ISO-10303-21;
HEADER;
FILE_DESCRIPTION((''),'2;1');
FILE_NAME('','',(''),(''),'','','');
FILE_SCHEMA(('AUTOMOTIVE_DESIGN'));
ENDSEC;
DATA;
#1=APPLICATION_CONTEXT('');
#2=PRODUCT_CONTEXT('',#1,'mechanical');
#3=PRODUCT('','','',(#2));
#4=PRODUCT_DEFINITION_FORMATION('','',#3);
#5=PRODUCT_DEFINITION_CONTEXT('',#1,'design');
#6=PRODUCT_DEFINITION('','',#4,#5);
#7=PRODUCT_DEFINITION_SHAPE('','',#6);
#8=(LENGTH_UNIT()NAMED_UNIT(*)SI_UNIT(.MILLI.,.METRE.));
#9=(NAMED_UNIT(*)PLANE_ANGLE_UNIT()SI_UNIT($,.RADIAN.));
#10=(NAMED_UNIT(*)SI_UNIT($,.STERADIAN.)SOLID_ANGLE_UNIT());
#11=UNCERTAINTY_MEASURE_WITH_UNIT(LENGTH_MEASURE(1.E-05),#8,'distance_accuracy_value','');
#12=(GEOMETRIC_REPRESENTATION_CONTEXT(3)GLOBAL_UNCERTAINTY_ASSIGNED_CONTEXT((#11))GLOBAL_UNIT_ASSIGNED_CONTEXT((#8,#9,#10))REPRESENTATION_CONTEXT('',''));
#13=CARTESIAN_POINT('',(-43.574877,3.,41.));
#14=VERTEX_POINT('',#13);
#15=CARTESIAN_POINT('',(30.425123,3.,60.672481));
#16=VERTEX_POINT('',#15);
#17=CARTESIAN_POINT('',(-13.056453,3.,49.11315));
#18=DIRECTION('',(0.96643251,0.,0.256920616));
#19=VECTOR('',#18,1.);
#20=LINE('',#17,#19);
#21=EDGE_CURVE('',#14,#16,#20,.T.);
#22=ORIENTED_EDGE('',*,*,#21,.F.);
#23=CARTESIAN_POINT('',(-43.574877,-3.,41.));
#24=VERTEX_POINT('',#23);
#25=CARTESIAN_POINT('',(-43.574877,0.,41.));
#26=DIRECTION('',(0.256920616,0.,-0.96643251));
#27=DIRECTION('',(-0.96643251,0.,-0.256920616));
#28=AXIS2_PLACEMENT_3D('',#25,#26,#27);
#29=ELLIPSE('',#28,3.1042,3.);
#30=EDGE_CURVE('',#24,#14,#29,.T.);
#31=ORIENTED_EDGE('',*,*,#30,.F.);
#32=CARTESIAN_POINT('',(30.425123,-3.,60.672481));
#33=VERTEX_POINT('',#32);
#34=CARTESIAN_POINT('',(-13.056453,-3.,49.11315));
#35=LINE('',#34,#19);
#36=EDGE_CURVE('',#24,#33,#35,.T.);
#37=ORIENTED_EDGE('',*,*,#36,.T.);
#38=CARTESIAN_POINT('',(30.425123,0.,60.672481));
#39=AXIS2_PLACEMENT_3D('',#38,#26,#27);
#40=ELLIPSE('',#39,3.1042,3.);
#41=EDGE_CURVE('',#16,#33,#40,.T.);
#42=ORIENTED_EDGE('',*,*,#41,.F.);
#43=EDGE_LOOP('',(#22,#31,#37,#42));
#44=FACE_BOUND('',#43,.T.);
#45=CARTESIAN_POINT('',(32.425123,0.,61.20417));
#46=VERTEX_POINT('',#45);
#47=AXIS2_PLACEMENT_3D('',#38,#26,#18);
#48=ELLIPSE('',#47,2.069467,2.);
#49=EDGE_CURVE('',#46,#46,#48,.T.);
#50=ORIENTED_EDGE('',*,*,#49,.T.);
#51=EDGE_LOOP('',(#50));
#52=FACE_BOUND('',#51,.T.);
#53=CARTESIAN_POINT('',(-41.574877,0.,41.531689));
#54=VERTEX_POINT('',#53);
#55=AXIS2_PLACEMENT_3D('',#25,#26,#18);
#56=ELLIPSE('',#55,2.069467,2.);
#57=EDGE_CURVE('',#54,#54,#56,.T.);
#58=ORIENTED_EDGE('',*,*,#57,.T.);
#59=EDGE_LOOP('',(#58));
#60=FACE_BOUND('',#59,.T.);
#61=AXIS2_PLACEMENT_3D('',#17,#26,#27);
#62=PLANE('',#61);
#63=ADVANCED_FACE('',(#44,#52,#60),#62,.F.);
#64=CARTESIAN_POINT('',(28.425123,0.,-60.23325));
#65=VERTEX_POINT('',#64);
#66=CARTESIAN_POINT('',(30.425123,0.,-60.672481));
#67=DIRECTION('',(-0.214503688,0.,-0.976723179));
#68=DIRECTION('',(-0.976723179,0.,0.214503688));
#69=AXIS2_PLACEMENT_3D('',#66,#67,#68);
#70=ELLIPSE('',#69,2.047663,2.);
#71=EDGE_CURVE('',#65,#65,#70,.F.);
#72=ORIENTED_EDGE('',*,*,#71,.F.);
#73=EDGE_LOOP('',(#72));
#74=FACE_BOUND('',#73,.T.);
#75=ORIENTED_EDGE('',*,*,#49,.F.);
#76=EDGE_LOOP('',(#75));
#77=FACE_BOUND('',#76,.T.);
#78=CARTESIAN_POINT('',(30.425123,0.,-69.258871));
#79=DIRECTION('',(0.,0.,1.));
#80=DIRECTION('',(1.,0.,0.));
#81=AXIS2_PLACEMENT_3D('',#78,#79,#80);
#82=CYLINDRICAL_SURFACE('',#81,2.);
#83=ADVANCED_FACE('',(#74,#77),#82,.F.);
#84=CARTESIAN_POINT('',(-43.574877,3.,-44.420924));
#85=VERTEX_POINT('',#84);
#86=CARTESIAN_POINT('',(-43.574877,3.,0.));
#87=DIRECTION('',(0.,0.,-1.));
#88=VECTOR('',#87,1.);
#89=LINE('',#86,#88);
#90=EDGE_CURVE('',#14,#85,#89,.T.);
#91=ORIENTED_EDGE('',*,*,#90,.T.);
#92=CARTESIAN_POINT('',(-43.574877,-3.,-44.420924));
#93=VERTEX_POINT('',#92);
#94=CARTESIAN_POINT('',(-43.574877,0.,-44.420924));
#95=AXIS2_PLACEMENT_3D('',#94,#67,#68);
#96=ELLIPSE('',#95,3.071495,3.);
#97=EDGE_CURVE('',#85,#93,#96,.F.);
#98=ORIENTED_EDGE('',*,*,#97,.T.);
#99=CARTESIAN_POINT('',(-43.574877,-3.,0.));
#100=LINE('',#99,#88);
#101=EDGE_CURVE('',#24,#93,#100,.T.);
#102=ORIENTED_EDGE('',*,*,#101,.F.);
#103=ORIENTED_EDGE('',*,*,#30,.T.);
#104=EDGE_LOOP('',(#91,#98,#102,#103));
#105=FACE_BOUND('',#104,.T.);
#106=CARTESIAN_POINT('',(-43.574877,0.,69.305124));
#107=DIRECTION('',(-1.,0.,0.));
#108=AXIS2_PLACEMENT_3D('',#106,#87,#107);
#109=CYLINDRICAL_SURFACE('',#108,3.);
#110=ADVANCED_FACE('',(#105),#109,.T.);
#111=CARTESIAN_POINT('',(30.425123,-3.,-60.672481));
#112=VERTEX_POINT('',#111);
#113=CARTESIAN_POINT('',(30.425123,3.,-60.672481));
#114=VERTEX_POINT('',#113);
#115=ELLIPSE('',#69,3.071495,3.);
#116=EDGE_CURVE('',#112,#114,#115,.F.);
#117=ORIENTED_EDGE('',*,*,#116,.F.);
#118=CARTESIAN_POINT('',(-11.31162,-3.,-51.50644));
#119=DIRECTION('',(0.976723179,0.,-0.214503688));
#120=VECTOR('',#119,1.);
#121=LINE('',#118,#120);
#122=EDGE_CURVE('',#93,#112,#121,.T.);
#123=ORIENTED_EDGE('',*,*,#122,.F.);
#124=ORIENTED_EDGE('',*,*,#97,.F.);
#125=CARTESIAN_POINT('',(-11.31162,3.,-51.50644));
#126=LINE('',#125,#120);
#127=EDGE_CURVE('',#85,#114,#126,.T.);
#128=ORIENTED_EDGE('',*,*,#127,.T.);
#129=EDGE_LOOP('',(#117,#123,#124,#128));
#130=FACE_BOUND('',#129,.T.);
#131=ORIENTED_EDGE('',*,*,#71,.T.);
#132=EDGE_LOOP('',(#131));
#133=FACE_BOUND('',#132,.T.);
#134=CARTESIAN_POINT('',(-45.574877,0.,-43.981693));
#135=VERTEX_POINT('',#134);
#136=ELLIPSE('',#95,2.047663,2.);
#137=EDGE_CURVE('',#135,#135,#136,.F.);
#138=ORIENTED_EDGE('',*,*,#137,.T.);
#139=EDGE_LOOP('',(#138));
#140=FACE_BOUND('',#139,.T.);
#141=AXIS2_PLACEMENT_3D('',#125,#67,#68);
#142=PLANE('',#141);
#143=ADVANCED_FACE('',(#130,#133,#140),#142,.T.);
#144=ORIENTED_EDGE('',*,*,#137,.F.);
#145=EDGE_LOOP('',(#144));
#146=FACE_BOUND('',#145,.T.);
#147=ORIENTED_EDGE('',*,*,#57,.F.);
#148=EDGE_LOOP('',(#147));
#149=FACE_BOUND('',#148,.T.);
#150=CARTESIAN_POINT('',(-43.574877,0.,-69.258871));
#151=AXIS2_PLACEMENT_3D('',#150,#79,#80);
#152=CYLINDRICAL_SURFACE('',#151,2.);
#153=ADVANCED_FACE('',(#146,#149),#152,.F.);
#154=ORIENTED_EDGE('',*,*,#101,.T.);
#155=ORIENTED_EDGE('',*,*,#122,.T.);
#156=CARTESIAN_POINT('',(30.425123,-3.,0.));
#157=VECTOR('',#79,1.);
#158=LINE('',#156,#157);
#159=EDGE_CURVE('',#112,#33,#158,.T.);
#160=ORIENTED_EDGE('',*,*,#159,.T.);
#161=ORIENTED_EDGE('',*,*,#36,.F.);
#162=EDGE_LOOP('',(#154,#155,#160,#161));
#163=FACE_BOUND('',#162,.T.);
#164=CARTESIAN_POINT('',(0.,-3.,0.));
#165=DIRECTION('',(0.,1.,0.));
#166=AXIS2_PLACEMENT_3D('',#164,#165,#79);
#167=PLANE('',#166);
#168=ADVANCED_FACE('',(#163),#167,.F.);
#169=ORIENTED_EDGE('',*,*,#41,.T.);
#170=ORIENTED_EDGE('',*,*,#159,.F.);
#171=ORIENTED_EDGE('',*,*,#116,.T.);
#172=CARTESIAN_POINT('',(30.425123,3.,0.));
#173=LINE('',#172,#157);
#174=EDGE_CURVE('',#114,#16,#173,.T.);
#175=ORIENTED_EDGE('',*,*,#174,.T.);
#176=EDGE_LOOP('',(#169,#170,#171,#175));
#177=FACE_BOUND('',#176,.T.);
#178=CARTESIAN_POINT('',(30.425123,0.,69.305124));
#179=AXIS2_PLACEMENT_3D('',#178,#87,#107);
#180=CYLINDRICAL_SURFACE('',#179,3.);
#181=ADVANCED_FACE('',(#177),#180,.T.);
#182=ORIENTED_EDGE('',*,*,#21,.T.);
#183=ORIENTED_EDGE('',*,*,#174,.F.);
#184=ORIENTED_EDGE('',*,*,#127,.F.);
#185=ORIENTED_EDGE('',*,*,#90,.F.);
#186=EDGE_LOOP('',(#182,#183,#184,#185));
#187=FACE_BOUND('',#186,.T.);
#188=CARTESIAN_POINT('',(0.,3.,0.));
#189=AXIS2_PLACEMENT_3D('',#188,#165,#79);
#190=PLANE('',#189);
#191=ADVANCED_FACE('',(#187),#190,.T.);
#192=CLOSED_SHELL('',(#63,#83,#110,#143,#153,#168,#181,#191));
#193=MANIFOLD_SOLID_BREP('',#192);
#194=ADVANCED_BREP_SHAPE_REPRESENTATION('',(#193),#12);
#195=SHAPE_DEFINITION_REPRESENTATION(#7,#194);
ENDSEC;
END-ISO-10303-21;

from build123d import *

# Parameters (mm, degrees)
BOSS_EXTRUDE1_DEPTH = 3
BOSS_EXTRUDE2_REACH = 76.759
SKETCH2_R           = 3
BOSS_EXTRUDE3_REACH = 79.18
SKETCH2_3_R         = 3
SKETCH2_3_R_2       = 2
SKETCH2_4_R         = 2
CUT_EXTRUDE1_DEPTH  = 103


with BuildPart() as part:
    # Sketch1 → Boss-Extrude1 (new, symmetric)
    with BuildSketch(Plane(origin=(0, 0, 0), x_dir=(1, 0, 0), z_dir=(0, 1, 0))):
        Polygon((-43.574876661, 44.4209239), (-43.574876661, -41), (30.425123339, -60.672481425), (30.425123339, 60.672481425), align=None)
    extrude(amount=BOSS_EXTRUDE1_DEPTH, both=True)

    # Boss-Extrude2: up to this plane
    boss_extrude2_end = Plane(origin=(-13.056453191, 3, 49.113150255), z_dir=(0.2569206163076567, 0, -0.9664325102748219))
    # Sketch2 → Boss-Extrude2 (add, up to the surface)
    with BuildSketch(Plane.XY, mode=Mode.PRIVATE) as boss_extrude2_sk1:
        with Locations((30.425123339, 0)):
            Circle(SKETCH2_R)
    boss_extrude2_tool1 = split(extrude(boss_extrude2_sk1.sketch, amount=BOSS_EXTRUDE2_REACH, mode=Mode.PRIVATE), bisect_by=boss_extrude2_end, keep=Keep.BOTH, mode=Mode.PRIVATE)
    add(boss_extrude2_tool1.solids().sort_by_distance((30.425123, 0, 0))[0])
    # Sketch2 → Boss-Extrude2 (add, up to the surface)
    with BuildSketch(Plane.XY, mode=Mode.PRIVATE) as boss_extrude2_sk2:
        with Locations((-43.574876661, 0)):
            Circle(SKETCH2_R)
    boss_extrude2_tool2 = split(extrude(boss_extrude2_sk2.sketch, amount=BOSS_EXTRUDE2_REACH, mode=Mode.PRIVATE), bisect_by=boss_extrude2_end, keep=Keep.BOTH, mode=Mode.PRIVATE)
    add(boss_extrude2_tool2.solids().sort_by_distance((-43.574877, 0, 0))[0])

    # Boss-Extrude3: up to this plane
    boss_extrude3_end = Plane(origin=(-11.311619848, 3, -51.506439766), z_dir=(-0.21450368815955828, 0, -0.9767231786775346))
    # Sketch2<3> → Boss-Extrude3 (add, up to the surface)
    with BuildSketch(Plane.XY, mode=Mode.PRIVATE) as boss_extrude3_sk1:
        with Locations((30.425123339, 0)):
            Circle(SKETCH2_3_R)
        with Locations((30.425123339, 0)):
            Circle(SKETCH2_3_R_2, mode=Mode.SUBTRACT)
    boss_extrude3_tool1 = split(extrude(boss_extrude3_sk1.sketch, amount=-BOSS_EXTRUDE3_REACH, mode=Mode.PRIVATE), bisect_by=boss_extrude3_end, keep=Keep.BOTH, mode=Mode.PRIVATE)
    add(boss_extrude3_tool1.solids().sort_by_distance((27.509976, 0, 0))[0])
    # Sketch2<3> → Boss-Extrude3 (add, up to the surface)
    with BuildSketch(Plane.XY, mode=Mode.PRIVATE) as boss_extrude3_sk2:
        with Locations((-43.574876661, 0)):
            Circle(SKETCH2_3_R)
        with Locations((-43.574876661, 0)):
            Circle(SKETCH2_3_R_2, mode=Mode.SUBTRACT)
    boss_extrude3_tool2 = split(extrude(boss_extrude3_sk2.sketch, amount=-BOSS_EXTRUDE3_REACH, mode=Mode.PRIVATE), bisect_by=boss_extrude3_end, keep=Keep.BOTH, mode=Mode.PRIVATE)
    add(boss_extrude3_tool2.solids().sort_by_distance((-46.490024, 0, 0))[0])

    # Sketch2<4> → Cut-Extrude1 (cut, symmetric)
    with BuildSketch(Plane.XY):
        with Locations((30.425123339, 0)):
            Circle(SKETCH2_4_R)
        with Locations((-43.574876661, 0)):
            Circle(SKETCH2_4_R)
    extrude(amount=CUT_EXTRUDE1_DEPTH, both=True, mode=Mode.SUBTRACT)


solid = part.part
